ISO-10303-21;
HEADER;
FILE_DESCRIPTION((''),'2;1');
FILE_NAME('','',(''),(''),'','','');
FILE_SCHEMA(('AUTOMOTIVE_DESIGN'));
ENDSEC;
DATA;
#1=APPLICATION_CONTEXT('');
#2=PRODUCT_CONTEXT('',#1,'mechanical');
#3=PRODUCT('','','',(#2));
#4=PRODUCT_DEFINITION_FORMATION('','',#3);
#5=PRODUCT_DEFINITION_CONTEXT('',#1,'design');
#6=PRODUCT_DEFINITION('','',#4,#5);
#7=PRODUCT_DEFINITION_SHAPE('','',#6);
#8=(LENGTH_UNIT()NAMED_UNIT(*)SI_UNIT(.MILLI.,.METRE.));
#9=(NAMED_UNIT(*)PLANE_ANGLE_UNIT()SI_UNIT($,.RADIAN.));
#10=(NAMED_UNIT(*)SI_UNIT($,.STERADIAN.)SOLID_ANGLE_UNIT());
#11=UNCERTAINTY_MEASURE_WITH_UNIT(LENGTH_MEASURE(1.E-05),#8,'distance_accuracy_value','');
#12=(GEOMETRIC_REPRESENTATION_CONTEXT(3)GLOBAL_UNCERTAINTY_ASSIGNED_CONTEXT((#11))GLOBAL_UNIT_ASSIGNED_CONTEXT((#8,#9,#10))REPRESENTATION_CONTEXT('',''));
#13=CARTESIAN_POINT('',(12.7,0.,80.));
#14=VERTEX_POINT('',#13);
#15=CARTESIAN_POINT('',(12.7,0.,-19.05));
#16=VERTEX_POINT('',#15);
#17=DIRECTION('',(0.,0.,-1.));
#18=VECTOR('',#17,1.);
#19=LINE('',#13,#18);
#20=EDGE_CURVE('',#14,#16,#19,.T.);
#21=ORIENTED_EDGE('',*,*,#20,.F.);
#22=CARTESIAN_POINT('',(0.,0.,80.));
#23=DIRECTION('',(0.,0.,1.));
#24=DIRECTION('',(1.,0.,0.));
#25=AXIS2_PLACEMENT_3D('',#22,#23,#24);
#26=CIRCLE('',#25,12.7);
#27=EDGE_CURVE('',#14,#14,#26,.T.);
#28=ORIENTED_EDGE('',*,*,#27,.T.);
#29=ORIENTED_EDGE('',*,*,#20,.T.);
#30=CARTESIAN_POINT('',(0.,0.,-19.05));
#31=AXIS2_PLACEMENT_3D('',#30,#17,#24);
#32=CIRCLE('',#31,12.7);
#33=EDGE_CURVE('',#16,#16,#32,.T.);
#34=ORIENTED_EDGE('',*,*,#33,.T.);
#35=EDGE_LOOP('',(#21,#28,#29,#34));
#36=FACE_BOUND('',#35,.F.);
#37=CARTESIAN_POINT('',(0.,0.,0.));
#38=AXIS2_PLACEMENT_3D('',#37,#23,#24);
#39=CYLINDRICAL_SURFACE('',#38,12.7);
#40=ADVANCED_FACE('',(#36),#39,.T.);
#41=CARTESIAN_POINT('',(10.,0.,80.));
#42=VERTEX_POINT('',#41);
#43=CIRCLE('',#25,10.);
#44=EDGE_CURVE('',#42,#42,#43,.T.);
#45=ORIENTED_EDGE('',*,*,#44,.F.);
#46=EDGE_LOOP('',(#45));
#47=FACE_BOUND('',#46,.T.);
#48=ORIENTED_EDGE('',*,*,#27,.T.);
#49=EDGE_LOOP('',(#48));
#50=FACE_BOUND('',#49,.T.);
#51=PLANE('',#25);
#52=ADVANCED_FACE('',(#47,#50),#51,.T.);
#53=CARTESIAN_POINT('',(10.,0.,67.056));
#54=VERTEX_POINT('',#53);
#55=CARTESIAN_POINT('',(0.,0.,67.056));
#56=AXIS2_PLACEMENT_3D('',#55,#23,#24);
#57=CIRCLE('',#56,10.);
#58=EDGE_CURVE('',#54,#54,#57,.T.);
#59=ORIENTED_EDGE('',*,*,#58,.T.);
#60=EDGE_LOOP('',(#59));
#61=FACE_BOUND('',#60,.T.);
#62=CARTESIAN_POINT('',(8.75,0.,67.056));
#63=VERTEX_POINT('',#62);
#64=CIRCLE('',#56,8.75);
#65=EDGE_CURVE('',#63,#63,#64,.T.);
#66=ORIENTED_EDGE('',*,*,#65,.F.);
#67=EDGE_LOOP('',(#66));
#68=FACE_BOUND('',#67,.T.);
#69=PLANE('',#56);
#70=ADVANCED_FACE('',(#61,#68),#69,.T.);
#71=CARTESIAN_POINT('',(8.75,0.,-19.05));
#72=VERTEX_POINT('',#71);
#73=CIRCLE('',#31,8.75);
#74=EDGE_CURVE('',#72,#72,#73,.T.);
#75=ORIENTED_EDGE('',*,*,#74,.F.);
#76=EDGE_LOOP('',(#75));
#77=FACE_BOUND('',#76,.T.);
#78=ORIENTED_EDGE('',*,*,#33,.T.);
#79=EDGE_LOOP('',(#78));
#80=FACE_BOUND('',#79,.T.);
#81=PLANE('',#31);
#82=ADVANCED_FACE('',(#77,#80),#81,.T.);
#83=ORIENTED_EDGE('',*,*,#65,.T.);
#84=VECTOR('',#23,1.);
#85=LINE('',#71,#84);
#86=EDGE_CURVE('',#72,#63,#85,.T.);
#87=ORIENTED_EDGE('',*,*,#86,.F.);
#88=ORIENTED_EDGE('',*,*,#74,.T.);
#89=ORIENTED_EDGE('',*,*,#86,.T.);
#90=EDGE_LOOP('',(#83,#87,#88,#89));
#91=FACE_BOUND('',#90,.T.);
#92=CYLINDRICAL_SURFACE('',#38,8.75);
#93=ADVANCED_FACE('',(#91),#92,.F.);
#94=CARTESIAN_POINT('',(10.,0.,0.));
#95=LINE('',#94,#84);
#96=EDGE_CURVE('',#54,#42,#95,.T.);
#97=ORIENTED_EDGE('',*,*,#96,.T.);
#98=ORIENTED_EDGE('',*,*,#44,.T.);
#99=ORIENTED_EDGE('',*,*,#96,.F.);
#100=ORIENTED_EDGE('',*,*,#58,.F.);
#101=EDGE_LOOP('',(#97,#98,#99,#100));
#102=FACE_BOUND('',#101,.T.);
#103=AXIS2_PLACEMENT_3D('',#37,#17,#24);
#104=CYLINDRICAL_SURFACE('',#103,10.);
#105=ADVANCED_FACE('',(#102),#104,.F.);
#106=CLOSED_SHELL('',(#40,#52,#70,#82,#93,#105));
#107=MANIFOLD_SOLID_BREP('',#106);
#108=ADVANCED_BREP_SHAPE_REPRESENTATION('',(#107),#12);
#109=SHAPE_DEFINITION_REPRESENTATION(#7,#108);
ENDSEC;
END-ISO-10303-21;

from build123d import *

# Parameters (mm, degrees)
F0_R        = 12.7
F0_R_2      = 10
F1_DEPTH    = 80
F2_R        = 10
F2_R_2      = 8.75
F3_DEPTH    = 67.056
F3_FACE_R   = 12.7
F3_FACE_R_2 = 8.75
F4_DEPTH    = 19.05


with BuildPart() as f1:
    # F0 (on Top) → F1 (new body)
    with BuildSketch(Plane.XY):
        Circle(F0_R)
        Circle(F0_R_2, mode=Mode.SUBTRACT)
    extrude(amount=F1_DEPTH)

    # F2 (on Top) → F3 (join)
    with BuildSketch(Plane.XY):
        Circle(F2_R)
        Circle(F2_R_2, mode=Mode.SUBTRACT)
    extrude(amount=F3_DEPTH)

    # F3_face (on face) → F4 (join)
    with BuildSketch(Plane(origin=(0, 0, 0), x_dir=(1, 0, 0), z_dir=(0, 0, -1))):
        Circle(F3_FACE_R)
        Circle(F3_FACE_R_2, mode=Mode.SUBTRACT)
    extrude(amount=F4_DEPTH)


solid = f1.part
